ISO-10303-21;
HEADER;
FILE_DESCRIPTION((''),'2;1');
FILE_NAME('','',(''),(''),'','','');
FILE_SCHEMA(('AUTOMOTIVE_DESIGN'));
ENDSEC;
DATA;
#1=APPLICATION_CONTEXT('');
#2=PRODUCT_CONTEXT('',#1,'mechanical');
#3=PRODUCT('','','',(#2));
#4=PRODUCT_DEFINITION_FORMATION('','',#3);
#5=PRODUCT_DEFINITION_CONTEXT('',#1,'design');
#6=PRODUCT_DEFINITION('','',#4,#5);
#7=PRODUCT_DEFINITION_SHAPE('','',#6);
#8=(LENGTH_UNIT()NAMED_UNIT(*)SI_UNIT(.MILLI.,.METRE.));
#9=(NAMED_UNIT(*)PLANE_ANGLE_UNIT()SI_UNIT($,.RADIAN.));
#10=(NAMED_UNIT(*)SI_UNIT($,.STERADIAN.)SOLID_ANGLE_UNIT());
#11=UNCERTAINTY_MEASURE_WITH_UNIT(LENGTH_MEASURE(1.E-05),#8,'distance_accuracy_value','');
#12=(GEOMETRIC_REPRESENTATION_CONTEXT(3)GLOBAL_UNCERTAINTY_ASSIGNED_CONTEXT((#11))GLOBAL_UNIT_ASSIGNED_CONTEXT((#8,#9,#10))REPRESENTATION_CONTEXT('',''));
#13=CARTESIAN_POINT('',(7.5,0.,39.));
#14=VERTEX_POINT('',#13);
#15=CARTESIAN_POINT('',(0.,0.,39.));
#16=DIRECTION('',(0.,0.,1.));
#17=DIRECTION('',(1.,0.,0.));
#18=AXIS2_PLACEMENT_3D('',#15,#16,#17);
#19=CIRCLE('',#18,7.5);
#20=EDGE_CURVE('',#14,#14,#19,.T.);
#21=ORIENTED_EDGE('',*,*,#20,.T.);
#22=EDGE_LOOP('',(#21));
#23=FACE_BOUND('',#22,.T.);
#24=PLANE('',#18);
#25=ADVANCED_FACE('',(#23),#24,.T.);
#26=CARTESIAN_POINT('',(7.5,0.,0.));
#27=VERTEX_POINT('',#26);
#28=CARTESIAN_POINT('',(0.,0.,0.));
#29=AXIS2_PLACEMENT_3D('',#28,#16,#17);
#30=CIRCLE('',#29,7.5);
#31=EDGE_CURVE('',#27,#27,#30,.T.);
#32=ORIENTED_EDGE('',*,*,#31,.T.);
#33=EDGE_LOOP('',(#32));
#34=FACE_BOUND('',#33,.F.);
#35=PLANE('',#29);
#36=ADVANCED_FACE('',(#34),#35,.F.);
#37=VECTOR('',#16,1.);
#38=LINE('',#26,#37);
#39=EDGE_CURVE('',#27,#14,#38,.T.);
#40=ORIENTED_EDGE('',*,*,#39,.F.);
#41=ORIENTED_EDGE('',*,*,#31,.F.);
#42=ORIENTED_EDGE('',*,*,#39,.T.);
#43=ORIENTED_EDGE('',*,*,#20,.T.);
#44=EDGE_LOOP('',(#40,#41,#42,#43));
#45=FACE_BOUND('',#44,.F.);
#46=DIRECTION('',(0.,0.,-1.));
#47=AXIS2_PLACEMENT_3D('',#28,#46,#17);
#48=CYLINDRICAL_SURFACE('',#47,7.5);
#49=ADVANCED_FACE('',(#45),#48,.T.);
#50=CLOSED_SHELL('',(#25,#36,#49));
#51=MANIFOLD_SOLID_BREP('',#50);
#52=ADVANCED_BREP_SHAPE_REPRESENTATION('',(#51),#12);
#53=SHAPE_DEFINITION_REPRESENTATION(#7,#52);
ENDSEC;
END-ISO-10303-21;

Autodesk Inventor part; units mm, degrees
ref_plane "YZ Plane" through (0, 0, 0) normal (1, 0, 0) x (0, 1, 0)
ref_plane "Start Plane" through (0, 0, 0) normal (0, 0, 1) x (1, 0, 0)
ref_plane "End Plane" through (0, 0, 39) normal (0, 0, 1) x (1, 0, 0)
sketch "Sketch" plane through (0, 0, 0) normal (0, 0, 1) x (1, 0, 0)
  circle A0 centre (0, 0) radius 7.5
  dimension "d0" = 15
extrude "Body" add sketch "Sketch" along normal up to surface (39 mm away) from surface at 0
sketch "Sketch3" plane through (0, 0, 0) normal (0, 0, 1) x (1, 0, 0)
  line L0 (0, 0) -> (10, 0)
ref_plane "Work Plane3" through (0, 0, 0) normal (0, -1, 0) x (1, 0, 0)
sketch "Sketch4" plane through (0, 0, 0) normal (0, -1, 0) x (1, 0, 0)
  line L0 (-2, 0) -> (12, 0)
  line L1 (-2, 39) -> (12, 39)
  dimension "d8" = 39
equation "\"d0\" = G_H"
equation "\"d1\" = G_L"
equation "\"G_H\" = 15"
equation "\"G_L\" = d8"
equation "\"G_OFFSET_START\" = 0"
equation "\"G_OFFSET_END\" = 0"
equation "\"d5\" = G_OFFSET_END + B_L"
equation "\"B_L\" = 39"
equation "\"G_D\" = 12.345"
properties part number "ISO 1035/1 - 15 - 39" material "Steel, Mild"
